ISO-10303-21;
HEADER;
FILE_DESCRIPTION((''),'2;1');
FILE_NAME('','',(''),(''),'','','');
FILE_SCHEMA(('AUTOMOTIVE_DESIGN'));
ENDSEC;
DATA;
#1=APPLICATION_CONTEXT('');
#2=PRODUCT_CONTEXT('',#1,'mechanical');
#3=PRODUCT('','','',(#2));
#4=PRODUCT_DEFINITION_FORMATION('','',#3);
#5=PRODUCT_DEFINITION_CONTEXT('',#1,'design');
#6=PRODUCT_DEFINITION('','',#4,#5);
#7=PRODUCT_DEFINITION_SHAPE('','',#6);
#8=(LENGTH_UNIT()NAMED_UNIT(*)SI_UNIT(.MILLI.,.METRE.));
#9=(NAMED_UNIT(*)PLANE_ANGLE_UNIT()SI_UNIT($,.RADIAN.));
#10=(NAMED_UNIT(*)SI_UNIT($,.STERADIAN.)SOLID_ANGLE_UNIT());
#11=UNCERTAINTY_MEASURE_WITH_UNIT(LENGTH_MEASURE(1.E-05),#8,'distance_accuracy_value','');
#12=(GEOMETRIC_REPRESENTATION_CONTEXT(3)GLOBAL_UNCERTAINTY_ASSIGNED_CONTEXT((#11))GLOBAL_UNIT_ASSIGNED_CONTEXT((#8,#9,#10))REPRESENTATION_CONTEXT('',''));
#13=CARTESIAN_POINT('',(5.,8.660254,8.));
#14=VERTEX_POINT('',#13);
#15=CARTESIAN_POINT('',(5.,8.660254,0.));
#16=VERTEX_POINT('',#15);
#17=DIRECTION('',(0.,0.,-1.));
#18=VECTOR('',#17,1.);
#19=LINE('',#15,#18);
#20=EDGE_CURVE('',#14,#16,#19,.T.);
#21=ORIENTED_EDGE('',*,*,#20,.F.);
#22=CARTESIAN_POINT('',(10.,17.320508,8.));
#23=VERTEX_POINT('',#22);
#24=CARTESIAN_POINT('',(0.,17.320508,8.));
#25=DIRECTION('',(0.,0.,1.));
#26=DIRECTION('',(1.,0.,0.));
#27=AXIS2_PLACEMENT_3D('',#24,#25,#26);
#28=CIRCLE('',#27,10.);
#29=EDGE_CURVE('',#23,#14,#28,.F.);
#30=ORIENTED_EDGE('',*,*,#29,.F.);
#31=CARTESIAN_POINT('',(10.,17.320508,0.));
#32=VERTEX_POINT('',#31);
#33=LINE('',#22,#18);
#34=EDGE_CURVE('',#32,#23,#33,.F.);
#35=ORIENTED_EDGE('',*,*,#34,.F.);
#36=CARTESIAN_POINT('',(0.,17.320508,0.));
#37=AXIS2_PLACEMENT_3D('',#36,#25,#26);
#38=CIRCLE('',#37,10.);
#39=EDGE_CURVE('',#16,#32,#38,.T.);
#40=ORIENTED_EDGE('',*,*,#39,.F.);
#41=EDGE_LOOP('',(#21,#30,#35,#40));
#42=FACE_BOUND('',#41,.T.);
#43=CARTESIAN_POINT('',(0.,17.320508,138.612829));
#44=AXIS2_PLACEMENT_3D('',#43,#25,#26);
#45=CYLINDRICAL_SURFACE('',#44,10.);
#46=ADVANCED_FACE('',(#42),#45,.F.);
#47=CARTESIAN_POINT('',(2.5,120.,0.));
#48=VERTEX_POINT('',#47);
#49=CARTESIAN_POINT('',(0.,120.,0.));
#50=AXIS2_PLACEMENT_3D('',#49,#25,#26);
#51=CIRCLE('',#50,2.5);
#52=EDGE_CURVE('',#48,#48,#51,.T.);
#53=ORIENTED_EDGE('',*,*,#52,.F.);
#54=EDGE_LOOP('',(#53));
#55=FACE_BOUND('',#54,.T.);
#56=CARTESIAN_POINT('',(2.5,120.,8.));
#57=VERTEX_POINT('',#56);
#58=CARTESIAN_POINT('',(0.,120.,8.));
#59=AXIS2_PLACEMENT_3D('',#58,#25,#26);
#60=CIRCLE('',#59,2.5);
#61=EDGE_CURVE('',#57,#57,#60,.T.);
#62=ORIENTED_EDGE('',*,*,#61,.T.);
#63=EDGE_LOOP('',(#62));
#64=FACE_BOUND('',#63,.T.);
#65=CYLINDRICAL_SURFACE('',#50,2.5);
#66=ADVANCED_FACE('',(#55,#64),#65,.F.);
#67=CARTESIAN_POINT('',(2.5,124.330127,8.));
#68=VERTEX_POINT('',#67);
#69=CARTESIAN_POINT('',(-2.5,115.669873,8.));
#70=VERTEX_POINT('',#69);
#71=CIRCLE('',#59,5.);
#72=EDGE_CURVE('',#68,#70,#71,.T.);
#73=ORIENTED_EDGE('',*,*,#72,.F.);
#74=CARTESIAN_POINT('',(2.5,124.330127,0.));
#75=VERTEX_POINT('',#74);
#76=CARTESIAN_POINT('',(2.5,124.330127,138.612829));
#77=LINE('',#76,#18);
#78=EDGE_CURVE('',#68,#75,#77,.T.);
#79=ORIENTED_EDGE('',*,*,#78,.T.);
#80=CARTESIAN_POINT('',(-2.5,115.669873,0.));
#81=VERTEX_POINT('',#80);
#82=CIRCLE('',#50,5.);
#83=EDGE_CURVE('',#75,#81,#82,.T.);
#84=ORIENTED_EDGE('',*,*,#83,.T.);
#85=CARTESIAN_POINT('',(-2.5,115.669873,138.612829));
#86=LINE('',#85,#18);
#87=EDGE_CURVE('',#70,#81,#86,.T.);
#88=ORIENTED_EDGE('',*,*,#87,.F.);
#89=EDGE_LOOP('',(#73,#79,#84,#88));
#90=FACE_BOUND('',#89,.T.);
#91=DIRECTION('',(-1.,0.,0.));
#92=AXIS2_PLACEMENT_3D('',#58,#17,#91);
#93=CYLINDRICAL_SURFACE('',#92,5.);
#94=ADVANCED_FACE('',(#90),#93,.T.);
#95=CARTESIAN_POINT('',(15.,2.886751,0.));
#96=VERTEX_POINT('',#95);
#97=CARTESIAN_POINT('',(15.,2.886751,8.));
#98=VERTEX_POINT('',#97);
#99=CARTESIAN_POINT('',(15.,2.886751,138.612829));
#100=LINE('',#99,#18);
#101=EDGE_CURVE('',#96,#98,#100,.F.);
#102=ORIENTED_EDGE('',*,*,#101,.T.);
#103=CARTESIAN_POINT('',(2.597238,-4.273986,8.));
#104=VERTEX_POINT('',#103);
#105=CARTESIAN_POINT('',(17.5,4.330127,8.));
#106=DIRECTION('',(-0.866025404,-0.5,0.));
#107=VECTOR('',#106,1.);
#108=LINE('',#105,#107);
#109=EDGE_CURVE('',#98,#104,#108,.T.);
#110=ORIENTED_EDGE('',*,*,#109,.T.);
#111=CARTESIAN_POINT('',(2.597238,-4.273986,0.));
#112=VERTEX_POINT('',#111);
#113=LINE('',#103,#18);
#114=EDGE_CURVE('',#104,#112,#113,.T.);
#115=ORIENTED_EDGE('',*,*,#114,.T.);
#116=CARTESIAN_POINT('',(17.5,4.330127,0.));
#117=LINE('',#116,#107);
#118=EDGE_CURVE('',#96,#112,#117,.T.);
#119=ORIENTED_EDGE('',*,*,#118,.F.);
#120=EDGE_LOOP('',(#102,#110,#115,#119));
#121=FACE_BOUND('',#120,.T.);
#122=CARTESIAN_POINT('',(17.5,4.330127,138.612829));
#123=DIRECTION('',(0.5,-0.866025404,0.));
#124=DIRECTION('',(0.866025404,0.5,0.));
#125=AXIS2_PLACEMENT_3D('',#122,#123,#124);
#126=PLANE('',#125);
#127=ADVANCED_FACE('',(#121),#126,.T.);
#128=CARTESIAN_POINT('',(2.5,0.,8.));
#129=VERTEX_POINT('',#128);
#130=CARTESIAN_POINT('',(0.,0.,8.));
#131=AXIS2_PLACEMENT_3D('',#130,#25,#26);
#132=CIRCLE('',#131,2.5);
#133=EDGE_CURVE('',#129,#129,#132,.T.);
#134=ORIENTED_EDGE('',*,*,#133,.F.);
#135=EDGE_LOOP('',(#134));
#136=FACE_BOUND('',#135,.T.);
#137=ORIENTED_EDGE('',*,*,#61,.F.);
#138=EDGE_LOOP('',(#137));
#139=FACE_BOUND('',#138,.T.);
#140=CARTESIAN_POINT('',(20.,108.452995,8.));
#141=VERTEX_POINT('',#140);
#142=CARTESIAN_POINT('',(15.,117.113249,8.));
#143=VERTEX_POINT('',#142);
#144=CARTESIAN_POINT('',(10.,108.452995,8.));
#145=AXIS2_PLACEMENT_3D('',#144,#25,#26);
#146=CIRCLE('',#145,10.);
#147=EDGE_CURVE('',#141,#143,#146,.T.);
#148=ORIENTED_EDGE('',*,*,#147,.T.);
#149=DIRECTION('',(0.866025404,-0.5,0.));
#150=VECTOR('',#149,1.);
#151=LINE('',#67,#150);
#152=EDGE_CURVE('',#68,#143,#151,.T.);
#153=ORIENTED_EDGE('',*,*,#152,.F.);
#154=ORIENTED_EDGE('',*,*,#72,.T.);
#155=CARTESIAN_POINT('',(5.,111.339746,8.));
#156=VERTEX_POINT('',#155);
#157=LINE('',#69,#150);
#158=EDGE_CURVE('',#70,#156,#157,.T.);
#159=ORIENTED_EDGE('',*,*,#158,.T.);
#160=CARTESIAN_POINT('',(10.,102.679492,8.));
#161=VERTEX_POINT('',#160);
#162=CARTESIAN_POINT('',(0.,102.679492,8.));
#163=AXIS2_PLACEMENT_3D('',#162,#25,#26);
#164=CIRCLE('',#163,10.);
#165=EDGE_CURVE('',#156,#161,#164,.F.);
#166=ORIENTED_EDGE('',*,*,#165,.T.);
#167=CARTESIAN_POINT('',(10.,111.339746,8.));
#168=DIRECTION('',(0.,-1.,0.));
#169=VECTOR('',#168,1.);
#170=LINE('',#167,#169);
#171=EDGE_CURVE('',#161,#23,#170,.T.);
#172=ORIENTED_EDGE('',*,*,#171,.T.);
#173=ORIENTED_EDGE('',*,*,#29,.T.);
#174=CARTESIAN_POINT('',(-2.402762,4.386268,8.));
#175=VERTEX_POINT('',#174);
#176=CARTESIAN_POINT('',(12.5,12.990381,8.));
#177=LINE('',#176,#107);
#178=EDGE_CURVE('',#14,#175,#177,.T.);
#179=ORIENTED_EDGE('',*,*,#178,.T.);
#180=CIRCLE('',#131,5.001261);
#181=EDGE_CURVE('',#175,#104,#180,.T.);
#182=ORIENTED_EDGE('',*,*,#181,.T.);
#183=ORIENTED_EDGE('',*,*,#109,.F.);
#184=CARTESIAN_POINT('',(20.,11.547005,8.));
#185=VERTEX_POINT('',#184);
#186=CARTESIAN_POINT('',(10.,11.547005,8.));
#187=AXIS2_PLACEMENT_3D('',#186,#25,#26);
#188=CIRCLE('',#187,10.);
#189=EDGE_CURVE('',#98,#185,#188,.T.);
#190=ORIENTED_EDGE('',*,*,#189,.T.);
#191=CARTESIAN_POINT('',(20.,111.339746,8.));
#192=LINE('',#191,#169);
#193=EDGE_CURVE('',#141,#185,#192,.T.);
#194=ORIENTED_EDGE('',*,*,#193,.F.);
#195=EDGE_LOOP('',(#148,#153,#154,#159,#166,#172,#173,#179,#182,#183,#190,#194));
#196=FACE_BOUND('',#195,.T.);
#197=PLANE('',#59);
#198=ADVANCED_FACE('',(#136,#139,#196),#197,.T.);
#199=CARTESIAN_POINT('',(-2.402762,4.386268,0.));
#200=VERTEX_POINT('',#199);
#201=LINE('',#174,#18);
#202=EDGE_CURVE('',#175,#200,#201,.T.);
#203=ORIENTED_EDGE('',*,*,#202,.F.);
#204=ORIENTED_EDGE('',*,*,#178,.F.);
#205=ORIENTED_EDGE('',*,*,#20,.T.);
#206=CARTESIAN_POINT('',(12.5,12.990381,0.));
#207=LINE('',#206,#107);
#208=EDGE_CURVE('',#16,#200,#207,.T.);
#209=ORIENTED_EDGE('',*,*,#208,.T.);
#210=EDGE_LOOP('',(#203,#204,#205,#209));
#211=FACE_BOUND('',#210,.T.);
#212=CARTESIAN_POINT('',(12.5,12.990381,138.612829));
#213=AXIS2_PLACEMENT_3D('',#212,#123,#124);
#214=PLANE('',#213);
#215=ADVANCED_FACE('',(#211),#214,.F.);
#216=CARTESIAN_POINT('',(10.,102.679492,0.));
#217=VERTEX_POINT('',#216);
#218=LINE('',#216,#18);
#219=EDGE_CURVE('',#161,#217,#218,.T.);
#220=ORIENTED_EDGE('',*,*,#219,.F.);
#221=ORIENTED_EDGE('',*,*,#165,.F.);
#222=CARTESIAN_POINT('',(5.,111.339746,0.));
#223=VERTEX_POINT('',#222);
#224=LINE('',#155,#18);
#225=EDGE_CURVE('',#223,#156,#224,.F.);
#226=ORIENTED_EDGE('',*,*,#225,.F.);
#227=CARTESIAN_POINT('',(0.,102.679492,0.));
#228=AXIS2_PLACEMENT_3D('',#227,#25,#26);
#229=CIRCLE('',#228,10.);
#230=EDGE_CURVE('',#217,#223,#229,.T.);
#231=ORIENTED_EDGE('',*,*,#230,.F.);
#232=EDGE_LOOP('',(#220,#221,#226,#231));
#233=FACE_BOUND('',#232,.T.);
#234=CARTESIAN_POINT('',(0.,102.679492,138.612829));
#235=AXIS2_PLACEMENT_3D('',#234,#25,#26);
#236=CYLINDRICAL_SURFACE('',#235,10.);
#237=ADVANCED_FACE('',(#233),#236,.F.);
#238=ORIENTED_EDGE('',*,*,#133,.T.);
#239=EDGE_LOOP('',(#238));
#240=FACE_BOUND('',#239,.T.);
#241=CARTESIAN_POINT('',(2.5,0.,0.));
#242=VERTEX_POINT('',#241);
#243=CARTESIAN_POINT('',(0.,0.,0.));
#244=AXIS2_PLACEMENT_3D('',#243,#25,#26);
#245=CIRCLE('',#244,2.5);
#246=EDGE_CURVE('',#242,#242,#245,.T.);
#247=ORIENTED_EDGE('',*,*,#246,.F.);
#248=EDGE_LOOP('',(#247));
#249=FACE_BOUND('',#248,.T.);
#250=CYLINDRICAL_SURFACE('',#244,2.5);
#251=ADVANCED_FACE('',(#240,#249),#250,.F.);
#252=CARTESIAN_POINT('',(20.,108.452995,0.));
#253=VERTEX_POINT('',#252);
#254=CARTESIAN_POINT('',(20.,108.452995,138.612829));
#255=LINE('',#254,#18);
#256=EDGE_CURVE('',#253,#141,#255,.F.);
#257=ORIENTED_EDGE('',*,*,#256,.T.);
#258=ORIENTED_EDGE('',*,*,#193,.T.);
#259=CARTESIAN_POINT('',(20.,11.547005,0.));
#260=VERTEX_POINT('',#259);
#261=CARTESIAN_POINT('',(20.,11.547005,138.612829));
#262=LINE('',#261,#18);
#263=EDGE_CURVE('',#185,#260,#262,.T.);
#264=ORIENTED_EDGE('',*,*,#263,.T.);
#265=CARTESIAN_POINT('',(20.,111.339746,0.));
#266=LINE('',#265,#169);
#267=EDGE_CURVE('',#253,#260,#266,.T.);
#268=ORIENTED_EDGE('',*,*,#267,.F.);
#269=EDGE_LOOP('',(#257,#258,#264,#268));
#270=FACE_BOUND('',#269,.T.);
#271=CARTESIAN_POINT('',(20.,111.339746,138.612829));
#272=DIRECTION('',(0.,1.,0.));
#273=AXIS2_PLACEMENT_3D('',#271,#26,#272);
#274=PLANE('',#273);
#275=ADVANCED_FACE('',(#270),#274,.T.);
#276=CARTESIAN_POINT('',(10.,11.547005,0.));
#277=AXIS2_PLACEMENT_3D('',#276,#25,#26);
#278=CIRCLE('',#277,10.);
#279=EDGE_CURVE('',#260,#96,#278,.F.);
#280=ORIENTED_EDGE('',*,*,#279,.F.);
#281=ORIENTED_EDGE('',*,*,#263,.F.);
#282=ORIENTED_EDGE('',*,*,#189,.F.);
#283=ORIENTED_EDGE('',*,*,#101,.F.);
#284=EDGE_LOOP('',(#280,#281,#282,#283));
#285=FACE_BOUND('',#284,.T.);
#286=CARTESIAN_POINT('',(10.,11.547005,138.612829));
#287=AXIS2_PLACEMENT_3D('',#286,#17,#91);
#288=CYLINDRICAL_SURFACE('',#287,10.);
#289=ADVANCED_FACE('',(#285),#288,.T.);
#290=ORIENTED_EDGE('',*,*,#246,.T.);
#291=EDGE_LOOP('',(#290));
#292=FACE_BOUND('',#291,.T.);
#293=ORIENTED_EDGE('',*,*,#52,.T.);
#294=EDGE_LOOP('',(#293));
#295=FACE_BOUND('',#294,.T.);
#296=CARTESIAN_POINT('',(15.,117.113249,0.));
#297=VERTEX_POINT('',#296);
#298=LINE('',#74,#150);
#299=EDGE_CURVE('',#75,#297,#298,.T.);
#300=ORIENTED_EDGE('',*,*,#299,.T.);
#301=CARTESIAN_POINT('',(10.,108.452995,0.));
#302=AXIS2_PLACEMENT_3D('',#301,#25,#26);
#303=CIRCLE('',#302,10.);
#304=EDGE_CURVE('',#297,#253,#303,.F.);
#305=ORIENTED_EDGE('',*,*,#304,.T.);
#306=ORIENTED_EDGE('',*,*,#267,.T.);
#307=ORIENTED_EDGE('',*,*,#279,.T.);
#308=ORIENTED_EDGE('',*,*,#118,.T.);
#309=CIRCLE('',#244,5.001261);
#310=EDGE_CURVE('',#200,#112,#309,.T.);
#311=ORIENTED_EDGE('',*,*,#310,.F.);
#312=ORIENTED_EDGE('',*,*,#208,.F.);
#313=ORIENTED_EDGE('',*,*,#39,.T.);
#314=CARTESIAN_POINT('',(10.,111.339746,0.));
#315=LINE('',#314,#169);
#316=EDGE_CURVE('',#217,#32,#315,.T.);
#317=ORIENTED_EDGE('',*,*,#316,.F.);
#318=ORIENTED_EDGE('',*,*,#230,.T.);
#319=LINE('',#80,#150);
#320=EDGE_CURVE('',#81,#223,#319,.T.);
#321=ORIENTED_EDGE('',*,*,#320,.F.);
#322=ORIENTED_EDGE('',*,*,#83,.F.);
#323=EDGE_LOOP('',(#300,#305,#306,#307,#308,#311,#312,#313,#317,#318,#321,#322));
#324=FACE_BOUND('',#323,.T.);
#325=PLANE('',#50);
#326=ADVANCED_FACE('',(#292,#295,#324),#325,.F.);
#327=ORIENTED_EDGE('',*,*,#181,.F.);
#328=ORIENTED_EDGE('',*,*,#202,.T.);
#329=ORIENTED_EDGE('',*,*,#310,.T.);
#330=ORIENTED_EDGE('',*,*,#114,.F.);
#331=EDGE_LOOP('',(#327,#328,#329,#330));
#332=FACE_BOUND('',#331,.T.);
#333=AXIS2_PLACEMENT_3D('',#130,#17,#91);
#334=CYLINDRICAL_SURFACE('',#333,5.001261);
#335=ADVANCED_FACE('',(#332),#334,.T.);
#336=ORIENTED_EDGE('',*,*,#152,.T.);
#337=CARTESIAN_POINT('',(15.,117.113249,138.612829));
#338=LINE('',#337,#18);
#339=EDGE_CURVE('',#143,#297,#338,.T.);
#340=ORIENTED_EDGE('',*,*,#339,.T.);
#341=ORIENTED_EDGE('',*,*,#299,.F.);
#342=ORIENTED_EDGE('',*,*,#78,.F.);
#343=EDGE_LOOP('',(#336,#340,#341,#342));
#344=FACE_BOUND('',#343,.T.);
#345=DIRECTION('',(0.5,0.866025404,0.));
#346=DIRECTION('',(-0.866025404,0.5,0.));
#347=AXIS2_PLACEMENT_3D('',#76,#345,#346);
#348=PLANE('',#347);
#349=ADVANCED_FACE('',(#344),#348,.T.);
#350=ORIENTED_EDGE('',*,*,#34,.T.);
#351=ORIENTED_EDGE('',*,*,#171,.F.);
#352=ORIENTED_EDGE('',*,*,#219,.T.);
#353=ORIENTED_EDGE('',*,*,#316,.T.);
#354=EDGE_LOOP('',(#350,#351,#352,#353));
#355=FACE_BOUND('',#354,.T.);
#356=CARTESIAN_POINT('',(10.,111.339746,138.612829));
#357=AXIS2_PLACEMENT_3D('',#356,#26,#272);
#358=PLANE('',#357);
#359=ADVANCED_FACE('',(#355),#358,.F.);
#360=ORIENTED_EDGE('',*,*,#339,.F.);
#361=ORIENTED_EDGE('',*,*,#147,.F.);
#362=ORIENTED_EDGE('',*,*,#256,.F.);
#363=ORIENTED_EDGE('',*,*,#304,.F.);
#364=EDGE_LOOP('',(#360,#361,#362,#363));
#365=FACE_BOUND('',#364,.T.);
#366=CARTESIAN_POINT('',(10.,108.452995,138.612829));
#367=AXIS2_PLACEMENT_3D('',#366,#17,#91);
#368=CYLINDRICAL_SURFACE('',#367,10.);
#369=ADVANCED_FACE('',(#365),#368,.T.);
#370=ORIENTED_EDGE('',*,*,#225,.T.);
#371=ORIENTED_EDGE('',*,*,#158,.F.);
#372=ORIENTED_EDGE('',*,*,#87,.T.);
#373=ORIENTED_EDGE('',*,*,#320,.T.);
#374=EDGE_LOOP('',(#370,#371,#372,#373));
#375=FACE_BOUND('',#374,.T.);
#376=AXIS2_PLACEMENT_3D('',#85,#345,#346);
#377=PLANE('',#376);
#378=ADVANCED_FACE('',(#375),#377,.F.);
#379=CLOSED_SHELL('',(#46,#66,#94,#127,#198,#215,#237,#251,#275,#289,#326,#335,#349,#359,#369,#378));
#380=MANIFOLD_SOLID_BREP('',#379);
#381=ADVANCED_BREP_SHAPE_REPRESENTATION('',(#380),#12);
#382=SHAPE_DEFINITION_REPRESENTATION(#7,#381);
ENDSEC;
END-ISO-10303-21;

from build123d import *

# Parameters (mm, degrees)
SKETCH_1_R          = 5
EXTRUDE_1_DEPTH     = 8
SKETCH_1_R_2        = 5.001260551
EXTRUDE_1_2_DEPTH   = 8
EXTRUDE_4_DEPTH     = 8
SKETCH_5_R          = 2.5
CUT_EXTRUDE_2_DEPTH = 127.842421926
FILLET_1_R          = 10


with BuildPart() as part:
    # 草图1 → 凸台-拉伸1 (new body)
    with BuildSketch(Plane.XY):
        with Locations((0, 120)):
            Circle(SKETCH_1_R)
    extrude(amount=EXTRUDE_1_DEPTH)



with BuildPart() as body_2:
    # 草图1 → Extrude 1 2 (new body)
    with BuildSketch(Plane.XY):
        Circle(SKETCH_1_R_2)
    extrude(amount=EXTRUDE_1_2_DEPTH)


with BuildPart() as part_1:
    add(part.part)

    add(body_2.part)  # 拉伸-薄壁4 merges body 2
    # 草图4 → 拉伸-薄壁4 (add)
    with BuildSketch(Plane.XY):
        Polygon((-2.5, 115.669872981), (10, 108.452994616), (10, 11.547005384), (-2.5, 4.330127019), (2.5, -4.330127019), (20, 5.773502692), (20, 114.226497308), (2.5, 124.330127019), align=None)
    extrude(amount=EXTRUDE_4_DEPTH)

    # 草图5 → 切除-拉伸2 (cut, through all)
    with BuildSketch(Plane.XY.offset(8)):
        with Locations((0, 120)):
            Circle(SKETCH_5_R)
        Circle(SKETCH_5_R)
    extrude(amount=-CUT_EXTRUDE_2_DEPTH, mode=Mode.SUBTRACT)

    # 圆角1
    fillet_1_edges = [part_1.edges().sort_by_distance(p)[0] for p in [
        (10, 11.547005384, 4),
        (20, 5.773502692, 4),
        (20, 114.226497308, 4),
        (10, 108.452994616, 4),
    ]]
    fillet(fillet_1_edges, radius=FILLET_1_R)


solid = part_1.part
